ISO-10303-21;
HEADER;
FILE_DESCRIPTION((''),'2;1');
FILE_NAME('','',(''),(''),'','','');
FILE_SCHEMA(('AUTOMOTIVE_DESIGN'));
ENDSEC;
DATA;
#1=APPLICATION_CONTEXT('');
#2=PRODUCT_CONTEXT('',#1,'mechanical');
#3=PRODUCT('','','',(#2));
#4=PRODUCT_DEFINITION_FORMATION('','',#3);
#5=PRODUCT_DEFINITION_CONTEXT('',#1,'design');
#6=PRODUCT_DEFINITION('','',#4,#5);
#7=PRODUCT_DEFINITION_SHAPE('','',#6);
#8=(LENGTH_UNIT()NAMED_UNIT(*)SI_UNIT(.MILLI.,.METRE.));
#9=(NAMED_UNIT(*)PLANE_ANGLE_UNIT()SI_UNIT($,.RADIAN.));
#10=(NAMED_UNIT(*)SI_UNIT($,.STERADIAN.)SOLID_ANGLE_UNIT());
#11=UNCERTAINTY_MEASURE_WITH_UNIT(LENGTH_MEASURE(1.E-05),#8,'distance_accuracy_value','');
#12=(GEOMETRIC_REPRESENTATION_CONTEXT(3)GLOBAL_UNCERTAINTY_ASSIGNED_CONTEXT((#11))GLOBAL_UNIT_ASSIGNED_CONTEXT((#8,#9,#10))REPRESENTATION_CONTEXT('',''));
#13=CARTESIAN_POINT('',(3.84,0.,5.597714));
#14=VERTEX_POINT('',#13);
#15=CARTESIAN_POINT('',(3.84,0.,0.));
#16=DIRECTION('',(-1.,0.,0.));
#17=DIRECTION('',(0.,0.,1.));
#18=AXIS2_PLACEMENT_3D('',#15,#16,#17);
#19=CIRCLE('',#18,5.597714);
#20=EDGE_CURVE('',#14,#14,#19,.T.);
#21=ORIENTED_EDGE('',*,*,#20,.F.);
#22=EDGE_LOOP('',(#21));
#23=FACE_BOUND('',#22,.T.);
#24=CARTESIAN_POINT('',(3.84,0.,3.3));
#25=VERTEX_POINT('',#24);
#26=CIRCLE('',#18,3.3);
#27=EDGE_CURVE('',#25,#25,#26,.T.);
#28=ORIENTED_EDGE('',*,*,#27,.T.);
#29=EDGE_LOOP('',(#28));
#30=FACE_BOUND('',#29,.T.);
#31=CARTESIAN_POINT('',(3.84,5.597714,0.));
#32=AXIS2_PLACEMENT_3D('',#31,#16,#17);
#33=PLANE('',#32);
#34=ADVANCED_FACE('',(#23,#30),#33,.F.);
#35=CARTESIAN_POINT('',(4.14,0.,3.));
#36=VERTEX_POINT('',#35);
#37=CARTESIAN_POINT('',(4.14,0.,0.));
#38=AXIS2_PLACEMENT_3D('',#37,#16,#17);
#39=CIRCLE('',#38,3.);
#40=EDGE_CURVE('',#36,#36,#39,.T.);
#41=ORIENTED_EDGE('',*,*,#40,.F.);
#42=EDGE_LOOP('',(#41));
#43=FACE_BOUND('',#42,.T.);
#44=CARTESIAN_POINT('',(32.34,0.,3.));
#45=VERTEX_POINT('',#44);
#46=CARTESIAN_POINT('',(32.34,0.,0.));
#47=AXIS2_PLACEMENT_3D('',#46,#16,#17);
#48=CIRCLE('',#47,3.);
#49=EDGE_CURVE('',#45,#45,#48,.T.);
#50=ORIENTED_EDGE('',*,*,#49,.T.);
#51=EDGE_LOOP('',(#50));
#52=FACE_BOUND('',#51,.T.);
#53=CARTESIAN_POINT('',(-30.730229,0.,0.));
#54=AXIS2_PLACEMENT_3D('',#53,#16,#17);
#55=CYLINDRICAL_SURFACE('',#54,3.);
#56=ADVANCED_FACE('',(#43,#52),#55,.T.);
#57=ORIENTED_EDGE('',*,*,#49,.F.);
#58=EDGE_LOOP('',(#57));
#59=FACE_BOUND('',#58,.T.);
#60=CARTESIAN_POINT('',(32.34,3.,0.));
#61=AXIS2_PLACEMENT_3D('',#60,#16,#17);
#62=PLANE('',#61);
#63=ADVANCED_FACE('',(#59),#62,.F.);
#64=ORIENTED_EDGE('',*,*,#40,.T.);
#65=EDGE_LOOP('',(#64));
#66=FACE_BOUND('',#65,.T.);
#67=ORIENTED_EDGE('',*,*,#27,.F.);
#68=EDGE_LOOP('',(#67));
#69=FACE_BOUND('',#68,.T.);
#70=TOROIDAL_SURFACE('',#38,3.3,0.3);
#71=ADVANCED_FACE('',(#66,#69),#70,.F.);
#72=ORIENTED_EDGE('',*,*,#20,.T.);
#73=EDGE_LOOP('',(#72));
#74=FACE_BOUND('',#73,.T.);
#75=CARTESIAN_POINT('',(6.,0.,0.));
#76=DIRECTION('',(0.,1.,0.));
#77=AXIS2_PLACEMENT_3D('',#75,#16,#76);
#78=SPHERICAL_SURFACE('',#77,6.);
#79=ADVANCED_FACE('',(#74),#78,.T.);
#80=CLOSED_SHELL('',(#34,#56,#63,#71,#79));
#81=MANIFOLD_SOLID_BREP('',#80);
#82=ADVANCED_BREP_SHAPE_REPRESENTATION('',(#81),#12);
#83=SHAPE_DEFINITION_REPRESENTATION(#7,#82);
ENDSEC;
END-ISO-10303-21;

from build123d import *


with BuildPart() as part:
    # 草图1 → Revolve 496 (revolve)
    with BuildSketch(Plane.XY, mode=Mode.PRIVATE) as revolve_496_sk:
        with BuildLine():
            Line((3.84, 5.597713819), (3.84, 3.3))
            ThreePointArc((3.84, 3.3), (3.927867966, 3.087867966), (4.14, 3))
            Line((4.14, 3), (32.34, 3))
            Line((32.34, 3), (32.34, 0))
            Line((32.34, 0), (0, 0))
            ThreePointArc((0, 0), (1.052273249, 3.39411255), (3.84, 5.597713819))
        make_face()
    revolve(revolve_496_sk.sketch.rotate(Axis((-30.73022942, 0, 0), (1, 0, 0)), 90), axis=Axis((-30.73022942, 0, 0), (1, 0, 0)))


solid = part.part
